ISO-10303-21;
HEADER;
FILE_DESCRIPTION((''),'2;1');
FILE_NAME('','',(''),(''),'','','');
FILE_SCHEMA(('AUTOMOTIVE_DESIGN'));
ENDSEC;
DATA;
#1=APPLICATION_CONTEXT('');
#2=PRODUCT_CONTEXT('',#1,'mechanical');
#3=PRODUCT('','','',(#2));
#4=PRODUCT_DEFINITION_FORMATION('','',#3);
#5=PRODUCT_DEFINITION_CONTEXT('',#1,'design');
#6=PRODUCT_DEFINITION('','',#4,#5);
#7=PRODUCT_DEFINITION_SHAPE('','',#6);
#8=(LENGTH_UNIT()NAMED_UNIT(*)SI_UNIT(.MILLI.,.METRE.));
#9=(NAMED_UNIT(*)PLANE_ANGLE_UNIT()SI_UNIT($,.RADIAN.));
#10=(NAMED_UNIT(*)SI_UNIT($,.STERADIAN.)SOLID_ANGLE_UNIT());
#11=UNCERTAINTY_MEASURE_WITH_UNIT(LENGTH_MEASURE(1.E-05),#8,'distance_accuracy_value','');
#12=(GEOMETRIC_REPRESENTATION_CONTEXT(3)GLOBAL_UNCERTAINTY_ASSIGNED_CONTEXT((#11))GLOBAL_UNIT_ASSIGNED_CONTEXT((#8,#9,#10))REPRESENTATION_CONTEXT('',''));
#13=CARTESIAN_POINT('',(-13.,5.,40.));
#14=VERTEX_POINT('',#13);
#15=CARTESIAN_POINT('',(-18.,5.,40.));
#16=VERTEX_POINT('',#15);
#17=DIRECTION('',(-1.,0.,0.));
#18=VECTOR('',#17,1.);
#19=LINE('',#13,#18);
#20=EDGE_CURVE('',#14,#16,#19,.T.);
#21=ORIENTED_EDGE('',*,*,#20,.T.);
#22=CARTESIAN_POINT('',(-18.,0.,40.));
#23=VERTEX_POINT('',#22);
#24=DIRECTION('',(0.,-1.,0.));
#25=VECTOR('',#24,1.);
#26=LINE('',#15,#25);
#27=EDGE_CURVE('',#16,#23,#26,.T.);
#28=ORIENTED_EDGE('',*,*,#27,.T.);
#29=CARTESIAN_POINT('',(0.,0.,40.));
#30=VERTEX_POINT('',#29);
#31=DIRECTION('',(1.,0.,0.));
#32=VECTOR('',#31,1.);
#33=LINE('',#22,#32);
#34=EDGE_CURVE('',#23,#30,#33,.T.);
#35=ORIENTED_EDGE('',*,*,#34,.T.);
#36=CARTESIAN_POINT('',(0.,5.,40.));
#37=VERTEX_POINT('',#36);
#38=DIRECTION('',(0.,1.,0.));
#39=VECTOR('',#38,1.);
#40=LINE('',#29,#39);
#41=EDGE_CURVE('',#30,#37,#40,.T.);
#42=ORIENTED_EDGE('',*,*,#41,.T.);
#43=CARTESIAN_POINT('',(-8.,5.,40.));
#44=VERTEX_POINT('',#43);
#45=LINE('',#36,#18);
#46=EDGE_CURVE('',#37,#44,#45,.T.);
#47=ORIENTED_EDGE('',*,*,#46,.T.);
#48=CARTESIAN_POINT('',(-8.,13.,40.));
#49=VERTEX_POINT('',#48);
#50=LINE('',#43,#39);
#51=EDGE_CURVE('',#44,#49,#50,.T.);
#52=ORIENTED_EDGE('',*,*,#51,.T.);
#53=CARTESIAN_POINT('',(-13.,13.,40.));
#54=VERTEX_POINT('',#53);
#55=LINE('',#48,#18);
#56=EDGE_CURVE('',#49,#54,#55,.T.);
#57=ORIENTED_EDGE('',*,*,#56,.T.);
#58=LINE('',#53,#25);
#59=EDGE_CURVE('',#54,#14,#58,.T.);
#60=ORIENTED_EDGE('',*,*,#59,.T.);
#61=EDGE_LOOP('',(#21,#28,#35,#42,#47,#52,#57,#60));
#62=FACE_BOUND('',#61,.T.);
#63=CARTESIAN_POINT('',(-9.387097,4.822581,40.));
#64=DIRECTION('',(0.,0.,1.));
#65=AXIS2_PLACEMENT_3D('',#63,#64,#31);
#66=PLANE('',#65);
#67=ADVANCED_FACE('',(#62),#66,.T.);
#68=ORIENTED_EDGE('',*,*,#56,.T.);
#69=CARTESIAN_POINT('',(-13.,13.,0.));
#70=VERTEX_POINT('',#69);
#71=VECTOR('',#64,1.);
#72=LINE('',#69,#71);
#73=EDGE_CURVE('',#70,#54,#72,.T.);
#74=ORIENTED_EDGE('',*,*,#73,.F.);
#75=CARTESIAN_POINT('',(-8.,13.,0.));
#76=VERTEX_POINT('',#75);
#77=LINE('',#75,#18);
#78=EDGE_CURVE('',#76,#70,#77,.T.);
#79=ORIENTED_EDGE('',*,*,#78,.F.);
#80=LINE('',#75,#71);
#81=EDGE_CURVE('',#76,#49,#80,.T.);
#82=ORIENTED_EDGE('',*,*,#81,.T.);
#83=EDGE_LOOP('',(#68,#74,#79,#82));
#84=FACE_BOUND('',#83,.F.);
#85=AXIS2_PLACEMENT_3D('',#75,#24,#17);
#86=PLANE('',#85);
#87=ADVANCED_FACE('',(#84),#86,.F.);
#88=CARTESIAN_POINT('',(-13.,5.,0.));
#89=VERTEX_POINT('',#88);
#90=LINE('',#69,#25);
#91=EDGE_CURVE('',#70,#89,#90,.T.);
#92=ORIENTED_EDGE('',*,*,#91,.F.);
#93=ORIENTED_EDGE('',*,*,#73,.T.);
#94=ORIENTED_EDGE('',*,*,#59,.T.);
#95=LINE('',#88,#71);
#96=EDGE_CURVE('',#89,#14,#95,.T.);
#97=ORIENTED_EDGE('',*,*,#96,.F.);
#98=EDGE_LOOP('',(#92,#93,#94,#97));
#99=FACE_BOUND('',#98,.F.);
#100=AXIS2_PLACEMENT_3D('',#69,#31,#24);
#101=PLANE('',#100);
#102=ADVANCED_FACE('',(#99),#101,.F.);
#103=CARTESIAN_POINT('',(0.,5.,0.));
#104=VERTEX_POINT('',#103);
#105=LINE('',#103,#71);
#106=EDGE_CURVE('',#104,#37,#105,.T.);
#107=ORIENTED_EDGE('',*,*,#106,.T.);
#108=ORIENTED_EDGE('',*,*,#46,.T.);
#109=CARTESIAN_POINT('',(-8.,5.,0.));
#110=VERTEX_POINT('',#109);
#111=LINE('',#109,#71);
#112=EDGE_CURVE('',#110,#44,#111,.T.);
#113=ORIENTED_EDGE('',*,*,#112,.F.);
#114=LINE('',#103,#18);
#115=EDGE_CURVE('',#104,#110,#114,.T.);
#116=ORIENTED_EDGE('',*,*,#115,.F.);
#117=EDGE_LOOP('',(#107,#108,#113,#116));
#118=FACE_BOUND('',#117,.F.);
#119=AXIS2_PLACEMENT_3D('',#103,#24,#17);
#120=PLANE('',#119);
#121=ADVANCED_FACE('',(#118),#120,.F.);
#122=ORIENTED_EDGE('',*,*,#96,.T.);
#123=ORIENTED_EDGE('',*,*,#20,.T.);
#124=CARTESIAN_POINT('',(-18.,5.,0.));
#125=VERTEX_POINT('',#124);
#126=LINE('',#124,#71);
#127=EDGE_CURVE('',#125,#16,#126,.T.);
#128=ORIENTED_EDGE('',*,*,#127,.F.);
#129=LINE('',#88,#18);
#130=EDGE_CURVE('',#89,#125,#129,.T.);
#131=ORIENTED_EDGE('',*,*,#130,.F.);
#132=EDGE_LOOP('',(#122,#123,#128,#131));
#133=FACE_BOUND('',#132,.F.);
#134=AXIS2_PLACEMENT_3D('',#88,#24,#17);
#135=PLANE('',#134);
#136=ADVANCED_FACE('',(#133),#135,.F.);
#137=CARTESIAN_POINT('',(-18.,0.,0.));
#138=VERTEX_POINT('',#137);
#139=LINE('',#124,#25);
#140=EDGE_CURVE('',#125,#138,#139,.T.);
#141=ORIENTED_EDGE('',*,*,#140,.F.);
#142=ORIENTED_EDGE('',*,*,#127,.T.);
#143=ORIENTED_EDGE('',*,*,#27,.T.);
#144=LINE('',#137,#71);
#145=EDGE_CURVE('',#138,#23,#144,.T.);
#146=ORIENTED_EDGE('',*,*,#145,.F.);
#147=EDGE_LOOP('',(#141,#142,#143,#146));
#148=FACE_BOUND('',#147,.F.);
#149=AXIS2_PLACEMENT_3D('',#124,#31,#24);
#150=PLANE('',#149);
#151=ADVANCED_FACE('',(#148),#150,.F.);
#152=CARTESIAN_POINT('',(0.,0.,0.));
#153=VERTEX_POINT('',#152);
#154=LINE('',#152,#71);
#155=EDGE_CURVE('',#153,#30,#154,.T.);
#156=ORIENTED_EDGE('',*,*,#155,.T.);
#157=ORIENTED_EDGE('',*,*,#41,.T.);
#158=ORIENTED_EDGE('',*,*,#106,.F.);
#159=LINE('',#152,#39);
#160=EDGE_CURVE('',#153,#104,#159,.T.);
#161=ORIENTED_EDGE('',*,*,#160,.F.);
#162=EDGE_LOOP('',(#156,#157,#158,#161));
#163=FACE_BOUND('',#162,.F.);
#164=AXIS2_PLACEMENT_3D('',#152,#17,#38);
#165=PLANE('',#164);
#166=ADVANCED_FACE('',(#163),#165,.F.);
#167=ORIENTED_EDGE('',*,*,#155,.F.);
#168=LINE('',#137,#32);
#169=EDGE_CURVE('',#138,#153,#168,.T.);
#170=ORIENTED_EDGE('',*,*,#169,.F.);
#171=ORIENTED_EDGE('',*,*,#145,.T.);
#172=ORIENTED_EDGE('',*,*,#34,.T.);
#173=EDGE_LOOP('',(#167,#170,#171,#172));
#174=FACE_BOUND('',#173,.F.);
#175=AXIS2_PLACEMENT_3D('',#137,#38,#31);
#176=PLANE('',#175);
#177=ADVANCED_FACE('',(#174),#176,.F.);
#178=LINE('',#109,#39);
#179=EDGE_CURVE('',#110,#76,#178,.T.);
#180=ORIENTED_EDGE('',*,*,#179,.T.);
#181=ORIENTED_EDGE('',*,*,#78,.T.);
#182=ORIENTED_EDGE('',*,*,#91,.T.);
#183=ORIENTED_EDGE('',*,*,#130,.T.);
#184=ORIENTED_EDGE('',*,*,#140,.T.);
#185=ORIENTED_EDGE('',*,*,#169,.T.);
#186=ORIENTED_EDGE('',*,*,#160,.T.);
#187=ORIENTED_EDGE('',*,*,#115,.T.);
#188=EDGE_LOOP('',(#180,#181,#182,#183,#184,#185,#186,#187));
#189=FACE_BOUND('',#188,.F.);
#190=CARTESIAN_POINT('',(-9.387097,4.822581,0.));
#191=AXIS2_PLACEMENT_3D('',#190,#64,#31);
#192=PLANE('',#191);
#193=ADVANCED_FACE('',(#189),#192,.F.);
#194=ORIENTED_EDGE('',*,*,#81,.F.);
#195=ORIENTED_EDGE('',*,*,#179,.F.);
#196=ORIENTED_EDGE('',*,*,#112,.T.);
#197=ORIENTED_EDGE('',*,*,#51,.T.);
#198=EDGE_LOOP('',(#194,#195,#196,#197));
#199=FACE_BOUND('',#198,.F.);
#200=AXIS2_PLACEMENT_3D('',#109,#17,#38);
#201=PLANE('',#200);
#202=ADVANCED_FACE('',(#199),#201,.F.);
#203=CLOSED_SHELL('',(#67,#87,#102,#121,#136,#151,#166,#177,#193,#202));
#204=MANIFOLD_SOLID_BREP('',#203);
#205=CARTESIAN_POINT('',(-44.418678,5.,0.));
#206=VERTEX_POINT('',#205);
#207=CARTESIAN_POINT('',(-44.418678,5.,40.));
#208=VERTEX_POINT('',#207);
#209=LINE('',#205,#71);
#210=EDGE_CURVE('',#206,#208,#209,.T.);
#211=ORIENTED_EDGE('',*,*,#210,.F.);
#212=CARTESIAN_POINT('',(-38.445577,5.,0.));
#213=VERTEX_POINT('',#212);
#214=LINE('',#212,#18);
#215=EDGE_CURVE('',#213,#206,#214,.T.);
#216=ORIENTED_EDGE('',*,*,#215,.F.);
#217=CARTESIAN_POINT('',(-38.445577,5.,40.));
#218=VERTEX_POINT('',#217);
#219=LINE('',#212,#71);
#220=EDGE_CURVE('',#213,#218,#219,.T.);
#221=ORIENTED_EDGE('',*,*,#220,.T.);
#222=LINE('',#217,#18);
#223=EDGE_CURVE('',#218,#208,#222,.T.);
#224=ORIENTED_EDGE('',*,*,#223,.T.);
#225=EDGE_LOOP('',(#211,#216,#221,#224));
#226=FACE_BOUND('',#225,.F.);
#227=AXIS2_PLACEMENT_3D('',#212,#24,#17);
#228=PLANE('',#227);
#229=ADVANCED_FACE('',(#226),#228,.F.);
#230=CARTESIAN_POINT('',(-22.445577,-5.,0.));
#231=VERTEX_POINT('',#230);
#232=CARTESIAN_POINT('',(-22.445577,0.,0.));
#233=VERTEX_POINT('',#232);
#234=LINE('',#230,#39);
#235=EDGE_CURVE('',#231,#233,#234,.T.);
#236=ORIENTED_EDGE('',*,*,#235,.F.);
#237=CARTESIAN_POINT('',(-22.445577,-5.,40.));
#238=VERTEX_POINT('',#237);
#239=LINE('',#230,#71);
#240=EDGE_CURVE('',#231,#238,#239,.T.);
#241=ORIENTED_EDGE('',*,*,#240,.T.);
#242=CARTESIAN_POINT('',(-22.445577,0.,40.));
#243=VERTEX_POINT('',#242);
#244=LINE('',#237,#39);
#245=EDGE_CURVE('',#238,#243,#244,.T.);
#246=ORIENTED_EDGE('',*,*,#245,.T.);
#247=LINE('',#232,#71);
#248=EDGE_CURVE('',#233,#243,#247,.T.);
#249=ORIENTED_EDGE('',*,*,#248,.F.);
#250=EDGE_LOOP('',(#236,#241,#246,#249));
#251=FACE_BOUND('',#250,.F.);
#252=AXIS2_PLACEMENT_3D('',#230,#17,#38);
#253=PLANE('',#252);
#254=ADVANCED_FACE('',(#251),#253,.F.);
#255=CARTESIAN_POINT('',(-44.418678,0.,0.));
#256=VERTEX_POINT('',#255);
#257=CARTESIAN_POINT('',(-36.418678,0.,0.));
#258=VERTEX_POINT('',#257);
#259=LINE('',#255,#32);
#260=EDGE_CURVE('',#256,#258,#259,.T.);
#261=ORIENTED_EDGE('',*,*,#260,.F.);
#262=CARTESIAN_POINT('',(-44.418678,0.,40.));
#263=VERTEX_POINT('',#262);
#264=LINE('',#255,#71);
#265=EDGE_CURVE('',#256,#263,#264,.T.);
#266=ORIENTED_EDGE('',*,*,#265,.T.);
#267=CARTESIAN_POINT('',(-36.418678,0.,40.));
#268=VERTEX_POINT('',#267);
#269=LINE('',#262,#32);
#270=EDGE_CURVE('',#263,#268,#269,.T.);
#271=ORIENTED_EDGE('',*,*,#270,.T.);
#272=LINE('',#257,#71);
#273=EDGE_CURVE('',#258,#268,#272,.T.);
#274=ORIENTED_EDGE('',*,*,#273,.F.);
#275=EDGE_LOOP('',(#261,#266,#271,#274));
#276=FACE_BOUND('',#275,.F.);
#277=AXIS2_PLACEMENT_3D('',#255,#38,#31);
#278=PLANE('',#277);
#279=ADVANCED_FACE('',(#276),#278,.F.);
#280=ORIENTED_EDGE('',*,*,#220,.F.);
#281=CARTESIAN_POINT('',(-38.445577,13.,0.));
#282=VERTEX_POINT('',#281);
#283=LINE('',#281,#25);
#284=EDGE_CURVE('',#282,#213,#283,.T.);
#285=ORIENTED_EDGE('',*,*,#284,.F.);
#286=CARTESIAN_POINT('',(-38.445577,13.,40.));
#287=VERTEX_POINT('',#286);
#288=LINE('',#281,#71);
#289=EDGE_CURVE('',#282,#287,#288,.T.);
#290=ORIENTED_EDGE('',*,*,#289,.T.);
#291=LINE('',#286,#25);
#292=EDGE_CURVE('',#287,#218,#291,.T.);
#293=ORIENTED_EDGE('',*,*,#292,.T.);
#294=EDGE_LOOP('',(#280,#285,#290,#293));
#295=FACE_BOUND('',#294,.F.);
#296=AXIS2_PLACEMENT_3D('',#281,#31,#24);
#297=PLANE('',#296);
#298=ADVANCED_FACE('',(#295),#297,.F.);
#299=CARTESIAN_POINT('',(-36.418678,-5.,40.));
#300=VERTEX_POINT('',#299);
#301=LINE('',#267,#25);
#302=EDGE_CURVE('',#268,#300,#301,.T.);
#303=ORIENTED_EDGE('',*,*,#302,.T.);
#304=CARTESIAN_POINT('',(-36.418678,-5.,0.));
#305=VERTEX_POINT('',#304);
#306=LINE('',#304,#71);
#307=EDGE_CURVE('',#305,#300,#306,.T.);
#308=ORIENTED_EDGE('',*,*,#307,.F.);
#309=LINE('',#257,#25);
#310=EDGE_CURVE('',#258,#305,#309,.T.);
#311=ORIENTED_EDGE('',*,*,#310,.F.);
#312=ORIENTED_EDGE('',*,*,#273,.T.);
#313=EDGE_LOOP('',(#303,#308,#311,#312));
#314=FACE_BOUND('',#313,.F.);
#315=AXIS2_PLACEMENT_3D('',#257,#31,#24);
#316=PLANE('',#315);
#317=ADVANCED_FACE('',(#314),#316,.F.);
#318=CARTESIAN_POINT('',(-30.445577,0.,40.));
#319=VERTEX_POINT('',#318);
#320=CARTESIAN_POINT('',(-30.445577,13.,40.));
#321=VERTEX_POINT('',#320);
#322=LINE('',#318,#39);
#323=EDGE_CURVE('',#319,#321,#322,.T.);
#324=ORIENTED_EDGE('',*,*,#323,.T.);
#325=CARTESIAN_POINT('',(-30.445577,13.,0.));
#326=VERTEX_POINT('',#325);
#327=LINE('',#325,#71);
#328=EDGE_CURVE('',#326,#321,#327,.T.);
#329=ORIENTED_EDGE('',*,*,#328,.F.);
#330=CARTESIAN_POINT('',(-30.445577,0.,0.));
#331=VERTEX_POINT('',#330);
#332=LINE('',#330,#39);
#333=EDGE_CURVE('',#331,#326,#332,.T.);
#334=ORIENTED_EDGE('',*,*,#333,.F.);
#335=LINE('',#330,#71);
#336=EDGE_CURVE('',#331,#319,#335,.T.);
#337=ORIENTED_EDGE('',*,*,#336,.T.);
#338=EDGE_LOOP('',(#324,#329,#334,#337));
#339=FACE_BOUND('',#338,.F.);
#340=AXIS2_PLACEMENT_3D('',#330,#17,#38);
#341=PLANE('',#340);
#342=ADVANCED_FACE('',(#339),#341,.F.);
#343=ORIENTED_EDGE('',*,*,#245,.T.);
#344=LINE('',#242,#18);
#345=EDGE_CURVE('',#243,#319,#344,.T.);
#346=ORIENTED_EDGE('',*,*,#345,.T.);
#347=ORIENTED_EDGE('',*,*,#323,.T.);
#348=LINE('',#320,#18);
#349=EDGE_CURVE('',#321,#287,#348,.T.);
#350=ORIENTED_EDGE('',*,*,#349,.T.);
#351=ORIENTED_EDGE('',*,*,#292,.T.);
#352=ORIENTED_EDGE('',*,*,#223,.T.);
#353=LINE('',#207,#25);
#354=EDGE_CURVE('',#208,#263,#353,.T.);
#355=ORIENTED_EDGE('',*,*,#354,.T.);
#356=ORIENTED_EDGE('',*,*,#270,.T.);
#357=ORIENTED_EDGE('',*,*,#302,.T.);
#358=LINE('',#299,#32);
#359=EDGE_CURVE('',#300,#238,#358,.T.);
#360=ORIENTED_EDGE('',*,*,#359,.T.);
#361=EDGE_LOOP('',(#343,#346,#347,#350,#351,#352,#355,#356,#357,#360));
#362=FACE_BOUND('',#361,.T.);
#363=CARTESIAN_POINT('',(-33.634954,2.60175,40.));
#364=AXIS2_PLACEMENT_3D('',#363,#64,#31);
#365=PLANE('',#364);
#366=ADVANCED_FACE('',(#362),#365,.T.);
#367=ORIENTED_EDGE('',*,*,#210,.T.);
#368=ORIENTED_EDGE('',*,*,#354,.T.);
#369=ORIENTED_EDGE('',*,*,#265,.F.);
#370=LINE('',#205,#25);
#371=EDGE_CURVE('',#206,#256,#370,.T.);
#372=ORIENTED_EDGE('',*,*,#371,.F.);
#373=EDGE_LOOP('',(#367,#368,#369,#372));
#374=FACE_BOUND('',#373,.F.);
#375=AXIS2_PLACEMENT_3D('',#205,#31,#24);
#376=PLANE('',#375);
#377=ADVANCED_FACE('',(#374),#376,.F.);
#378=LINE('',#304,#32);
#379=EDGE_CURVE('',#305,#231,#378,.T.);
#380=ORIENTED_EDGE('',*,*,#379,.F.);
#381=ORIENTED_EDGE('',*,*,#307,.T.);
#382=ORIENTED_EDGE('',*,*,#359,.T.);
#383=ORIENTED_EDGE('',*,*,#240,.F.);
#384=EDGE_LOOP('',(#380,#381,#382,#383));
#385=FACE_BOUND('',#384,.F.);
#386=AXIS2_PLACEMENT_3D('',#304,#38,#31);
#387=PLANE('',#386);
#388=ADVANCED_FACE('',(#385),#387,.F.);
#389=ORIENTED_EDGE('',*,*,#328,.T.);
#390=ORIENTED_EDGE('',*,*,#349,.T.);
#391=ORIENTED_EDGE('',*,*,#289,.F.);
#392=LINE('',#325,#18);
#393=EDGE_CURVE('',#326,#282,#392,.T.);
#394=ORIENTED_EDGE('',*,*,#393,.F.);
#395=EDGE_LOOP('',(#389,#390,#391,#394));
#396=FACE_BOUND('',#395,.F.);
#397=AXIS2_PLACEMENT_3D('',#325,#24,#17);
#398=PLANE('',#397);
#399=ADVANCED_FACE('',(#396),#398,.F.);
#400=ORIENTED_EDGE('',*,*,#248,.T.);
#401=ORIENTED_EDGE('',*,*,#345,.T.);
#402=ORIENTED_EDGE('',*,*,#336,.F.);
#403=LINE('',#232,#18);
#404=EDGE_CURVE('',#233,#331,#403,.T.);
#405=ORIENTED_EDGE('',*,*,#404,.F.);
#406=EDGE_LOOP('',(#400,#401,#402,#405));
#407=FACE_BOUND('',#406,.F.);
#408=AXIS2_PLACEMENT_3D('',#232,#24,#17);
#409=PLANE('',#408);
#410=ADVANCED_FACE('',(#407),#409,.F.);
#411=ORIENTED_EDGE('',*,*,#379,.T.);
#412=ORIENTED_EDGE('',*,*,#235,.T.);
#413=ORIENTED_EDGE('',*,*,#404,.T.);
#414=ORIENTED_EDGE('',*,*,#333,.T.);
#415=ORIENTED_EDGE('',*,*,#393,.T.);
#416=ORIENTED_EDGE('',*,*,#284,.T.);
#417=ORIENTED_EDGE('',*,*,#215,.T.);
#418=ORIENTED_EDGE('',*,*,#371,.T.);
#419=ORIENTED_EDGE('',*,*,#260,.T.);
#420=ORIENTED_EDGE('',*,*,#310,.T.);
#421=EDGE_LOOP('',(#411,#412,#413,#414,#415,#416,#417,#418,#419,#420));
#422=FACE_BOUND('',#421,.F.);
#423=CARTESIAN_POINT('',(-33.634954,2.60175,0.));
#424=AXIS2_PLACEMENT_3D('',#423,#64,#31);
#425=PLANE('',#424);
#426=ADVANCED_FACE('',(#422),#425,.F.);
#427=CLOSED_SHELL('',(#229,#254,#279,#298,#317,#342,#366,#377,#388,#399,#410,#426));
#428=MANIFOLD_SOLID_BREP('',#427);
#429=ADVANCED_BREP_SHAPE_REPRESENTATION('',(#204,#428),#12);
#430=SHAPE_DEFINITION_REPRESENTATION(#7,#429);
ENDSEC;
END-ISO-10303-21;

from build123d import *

# Parameters (mm, degrees)
F1_DEPTH = 40


with BuildPart() as f1:
    # F0 (on Top) → F1 (new body)
    with BuildSketch(Plane.XY):
        Polygon((-18, 0), (0, 0), (0, 5), (-8, 5), (-8, 13), (-13, 13), (-13, 5), (-18, 5), align=None)
        Polygon((-22.445577, -5), (-22.445577, 0), (-30.445577, 0), (-30.445577, 13), (-38.445577, 13), (-38.445577, 5), (-44.418678, 5), (-44.418678, 0), (-36.418678, 0), (-36.418678, -5), align=None)
    extrude(amount=F1_DEPTH)


solid = f1.part
